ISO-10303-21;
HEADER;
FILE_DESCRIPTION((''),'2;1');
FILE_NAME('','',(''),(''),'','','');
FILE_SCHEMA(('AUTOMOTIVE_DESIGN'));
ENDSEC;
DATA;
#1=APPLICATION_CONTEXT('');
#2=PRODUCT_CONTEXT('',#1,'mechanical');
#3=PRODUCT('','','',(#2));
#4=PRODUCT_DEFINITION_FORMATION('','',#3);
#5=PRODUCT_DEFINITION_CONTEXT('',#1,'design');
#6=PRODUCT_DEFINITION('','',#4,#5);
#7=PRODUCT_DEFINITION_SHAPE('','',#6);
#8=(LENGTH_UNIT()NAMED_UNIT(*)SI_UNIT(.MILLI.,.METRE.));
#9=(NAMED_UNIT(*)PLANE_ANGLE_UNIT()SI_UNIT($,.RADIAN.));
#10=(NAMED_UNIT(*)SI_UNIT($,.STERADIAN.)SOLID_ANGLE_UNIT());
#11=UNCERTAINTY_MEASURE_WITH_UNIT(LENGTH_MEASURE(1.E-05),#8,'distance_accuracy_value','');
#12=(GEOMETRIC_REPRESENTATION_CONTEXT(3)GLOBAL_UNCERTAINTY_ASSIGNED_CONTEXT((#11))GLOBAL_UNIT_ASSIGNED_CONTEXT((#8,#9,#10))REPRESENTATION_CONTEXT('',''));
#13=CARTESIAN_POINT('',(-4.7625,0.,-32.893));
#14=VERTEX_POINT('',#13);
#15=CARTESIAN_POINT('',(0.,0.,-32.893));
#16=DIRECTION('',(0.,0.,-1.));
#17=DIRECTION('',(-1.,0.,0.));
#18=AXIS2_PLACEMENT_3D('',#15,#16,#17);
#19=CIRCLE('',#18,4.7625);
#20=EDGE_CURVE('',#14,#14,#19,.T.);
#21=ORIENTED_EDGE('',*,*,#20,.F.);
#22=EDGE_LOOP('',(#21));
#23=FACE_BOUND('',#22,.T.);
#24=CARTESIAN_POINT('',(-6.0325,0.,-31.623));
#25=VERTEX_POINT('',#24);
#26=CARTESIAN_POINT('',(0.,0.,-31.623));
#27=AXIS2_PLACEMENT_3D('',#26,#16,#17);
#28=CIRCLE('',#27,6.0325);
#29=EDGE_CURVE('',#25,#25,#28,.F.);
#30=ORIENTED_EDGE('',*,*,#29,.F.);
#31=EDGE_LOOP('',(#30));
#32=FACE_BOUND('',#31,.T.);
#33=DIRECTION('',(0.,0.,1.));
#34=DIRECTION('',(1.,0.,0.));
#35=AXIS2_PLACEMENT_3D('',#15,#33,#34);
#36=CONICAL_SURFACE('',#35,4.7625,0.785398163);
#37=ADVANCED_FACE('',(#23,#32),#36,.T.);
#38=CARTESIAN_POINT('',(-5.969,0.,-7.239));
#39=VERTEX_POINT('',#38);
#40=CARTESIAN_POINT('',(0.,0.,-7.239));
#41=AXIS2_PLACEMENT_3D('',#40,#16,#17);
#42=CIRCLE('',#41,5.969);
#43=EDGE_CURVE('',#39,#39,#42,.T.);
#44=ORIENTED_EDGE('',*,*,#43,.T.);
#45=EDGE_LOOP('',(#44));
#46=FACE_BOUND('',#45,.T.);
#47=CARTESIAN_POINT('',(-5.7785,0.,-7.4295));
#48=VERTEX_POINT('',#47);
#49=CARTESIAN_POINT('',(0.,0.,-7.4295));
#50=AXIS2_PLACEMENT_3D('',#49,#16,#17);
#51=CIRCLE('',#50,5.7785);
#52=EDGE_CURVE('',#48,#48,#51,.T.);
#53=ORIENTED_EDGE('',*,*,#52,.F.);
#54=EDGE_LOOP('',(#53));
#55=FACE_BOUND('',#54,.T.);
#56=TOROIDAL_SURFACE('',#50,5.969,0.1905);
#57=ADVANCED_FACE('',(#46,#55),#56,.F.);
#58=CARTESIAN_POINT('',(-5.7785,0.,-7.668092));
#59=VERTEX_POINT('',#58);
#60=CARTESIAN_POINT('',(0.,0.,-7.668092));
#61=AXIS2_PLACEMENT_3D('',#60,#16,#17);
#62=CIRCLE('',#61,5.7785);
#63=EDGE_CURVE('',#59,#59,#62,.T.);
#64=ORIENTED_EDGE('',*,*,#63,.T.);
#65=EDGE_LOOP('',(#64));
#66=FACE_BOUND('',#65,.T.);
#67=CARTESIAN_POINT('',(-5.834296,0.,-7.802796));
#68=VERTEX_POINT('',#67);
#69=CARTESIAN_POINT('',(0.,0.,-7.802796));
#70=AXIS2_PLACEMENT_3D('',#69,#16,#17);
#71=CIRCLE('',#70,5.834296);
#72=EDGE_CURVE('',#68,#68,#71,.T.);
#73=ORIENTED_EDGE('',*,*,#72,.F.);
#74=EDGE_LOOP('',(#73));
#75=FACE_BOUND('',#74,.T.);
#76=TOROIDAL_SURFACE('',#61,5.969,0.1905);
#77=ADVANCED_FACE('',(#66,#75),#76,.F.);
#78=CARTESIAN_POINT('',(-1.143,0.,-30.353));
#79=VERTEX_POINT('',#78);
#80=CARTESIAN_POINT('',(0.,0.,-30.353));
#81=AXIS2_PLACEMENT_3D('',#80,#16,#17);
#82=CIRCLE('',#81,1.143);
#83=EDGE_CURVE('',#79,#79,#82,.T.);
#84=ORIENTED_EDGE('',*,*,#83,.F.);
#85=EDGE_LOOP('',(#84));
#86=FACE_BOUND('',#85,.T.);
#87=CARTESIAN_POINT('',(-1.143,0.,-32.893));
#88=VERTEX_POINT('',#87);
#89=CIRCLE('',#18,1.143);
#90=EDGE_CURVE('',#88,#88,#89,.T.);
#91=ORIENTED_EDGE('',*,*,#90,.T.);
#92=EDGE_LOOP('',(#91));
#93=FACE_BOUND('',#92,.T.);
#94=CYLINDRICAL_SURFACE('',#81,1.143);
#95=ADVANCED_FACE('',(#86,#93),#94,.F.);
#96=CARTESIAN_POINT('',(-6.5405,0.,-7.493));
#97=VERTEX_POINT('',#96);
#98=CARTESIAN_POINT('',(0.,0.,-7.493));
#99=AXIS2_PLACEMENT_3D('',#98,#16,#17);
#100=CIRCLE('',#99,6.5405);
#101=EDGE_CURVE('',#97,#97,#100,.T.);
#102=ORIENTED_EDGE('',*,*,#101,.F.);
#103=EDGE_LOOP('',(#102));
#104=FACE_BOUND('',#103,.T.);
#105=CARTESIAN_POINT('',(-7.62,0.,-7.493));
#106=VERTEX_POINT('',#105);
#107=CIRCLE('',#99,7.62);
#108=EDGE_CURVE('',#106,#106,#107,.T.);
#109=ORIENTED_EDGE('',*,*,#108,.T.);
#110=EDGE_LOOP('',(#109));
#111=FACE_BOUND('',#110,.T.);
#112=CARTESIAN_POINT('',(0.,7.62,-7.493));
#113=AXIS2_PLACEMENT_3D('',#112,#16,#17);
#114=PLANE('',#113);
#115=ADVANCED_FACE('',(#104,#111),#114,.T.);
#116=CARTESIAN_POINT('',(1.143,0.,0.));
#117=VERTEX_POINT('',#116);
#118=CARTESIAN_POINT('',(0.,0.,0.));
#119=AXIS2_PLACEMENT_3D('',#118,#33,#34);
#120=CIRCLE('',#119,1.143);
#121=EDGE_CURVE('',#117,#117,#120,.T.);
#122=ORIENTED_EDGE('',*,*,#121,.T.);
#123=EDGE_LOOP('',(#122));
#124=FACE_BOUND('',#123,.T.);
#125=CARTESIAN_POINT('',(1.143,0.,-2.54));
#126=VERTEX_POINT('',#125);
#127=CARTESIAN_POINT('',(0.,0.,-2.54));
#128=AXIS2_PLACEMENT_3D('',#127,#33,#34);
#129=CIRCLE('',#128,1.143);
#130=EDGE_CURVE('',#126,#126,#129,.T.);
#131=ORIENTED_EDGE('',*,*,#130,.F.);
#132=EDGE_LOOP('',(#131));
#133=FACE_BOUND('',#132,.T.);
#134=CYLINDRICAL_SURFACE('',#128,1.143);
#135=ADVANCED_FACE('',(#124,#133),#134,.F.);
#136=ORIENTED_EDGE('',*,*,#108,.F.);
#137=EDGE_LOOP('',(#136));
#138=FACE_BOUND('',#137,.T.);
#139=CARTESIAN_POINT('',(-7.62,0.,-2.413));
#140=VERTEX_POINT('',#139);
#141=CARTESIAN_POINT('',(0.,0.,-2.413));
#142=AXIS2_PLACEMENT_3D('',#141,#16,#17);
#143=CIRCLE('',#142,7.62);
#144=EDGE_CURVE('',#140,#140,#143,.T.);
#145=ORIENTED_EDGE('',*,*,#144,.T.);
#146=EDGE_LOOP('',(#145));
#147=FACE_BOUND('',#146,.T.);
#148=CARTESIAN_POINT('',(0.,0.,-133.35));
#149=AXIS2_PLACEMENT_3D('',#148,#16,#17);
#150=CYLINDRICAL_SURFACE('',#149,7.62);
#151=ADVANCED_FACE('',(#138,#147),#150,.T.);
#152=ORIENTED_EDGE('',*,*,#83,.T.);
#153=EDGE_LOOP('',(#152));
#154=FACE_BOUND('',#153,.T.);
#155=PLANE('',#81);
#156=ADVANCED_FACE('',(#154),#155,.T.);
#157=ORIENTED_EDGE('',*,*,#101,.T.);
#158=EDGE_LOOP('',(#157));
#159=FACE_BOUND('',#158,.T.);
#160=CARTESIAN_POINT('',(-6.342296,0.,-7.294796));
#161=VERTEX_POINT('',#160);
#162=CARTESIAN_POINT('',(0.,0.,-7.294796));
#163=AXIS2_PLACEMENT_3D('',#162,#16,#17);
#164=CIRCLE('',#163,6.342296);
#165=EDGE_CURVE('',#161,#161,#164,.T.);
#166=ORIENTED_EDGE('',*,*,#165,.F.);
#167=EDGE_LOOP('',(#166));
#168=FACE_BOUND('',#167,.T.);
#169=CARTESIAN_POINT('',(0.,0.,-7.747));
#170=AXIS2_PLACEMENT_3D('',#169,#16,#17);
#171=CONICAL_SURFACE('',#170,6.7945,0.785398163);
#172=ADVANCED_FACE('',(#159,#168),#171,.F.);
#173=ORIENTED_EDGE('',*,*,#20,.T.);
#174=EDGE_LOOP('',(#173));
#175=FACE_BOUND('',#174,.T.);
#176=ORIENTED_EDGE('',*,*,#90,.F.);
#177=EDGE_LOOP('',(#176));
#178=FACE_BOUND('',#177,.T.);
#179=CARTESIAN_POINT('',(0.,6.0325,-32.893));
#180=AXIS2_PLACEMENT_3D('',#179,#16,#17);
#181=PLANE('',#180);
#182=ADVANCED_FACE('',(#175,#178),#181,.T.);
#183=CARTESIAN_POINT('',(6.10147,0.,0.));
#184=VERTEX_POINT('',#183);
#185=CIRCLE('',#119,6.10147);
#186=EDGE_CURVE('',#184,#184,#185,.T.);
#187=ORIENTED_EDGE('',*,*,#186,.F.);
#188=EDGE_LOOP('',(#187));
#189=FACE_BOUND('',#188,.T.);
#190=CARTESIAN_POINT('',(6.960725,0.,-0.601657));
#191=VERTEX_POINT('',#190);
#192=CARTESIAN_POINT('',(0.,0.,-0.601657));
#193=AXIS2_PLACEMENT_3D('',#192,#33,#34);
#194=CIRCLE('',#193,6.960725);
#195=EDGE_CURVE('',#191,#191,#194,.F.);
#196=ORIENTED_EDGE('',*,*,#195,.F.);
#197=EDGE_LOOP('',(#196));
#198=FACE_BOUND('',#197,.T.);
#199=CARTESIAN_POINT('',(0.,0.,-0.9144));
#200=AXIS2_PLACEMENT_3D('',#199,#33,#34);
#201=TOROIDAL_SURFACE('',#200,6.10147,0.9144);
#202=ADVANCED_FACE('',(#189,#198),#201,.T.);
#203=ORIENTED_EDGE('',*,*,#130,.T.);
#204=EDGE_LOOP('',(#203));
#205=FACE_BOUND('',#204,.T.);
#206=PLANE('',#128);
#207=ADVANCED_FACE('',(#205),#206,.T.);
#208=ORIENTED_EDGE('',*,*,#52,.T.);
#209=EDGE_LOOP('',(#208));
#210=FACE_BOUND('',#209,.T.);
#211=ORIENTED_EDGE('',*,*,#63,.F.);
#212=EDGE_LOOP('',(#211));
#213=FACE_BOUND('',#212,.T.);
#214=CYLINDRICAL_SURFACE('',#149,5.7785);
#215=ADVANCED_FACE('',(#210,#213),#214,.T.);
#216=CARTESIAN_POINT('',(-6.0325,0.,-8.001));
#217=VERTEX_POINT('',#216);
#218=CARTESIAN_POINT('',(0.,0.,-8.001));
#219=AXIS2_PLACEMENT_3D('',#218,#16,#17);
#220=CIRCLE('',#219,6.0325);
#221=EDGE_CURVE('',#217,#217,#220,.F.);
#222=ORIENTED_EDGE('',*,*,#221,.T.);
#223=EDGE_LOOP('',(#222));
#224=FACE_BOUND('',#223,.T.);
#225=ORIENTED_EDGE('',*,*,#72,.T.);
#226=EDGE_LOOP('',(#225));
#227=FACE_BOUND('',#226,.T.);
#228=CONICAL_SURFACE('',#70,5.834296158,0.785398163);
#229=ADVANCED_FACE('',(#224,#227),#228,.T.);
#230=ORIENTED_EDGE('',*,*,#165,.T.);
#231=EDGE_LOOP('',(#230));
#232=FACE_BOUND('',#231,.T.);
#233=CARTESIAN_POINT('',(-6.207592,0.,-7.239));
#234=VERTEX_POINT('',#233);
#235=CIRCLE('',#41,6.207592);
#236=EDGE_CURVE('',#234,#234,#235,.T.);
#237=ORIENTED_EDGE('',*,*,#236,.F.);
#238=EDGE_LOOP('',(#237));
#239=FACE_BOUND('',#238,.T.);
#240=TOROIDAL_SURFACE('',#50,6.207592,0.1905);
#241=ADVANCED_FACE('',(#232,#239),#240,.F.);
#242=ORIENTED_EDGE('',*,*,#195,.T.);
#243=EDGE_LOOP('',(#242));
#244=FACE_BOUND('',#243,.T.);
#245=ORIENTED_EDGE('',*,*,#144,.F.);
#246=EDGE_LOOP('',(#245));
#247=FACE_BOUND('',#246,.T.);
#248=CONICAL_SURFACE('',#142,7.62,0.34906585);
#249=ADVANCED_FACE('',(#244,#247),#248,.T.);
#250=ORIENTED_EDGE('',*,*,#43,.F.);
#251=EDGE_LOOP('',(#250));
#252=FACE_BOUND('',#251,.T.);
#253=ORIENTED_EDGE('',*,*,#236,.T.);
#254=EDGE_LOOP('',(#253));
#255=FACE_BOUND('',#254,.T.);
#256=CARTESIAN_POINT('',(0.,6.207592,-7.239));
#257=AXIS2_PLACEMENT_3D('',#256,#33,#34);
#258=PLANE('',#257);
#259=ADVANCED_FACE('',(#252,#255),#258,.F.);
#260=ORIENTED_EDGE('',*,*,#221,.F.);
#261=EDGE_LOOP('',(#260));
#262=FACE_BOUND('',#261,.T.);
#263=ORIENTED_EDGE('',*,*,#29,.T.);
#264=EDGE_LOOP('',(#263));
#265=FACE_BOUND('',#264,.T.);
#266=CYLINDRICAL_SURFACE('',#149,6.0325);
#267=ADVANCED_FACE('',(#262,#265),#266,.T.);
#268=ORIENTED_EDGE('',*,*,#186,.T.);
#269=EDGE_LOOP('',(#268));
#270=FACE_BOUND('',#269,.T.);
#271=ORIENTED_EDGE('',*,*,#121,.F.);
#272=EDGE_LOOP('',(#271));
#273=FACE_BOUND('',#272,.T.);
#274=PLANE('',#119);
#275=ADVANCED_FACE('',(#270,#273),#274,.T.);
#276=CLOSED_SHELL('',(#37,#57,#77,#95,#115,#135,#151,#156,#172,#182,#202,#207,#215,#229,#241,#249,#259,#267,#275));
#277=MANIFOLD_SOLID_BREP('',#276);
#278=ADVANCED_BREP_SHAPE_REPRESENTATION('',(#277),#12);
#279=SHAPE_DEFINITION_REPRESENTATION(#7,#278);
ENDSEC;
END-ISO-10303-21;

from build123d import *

# Parameters (mm, degrees)
CHAMFER1_SIZE      = 1.27
FILLET1_R          = 0.9144
SKETCH3_R          = 1.143
CUT_EXTRUDE1_DEPTH = 2.54
CUT_EXTRUDE2_START = -2.54
SKETCH4_R          = 1.143
CUT_EXTRUDE2_DEPTH = 2.54


with BuildPart() as part:
    # Sketch1 → Revolve1 (revolve)
    with BuildSketch(Plane(origin=(0, 0, 0), x_dir=(0, 0, -1), z_dir=(1, 0, 0)), mode=Mode.PRIVATE) as revolve1_sk:
        Polygon((0, 0), (0, 6.741739825), (2.413, 7.62), (7.493, 7.62), (7.493, 6.0325), (32.893, 6.0325), (32.893, 0), align=None)
    revolve(revolve1_sk.sketch.rotate(Axis((0, 0, -133.35), (0, 0, 1)), 90), axis=Axis((0, 0, -133.35), (0, 0, 1)))

    # Sketch2 → Cut-Revolve1 (revolve, cut)
    with BuildSketch(Plane(origin=(0, 0, 0), x_dir=(0, 0, -1), z_dir=(1, 0, 0)), mode=Mode.PRIVATE) as cut_revolve1_sk:
        with BuildLine():
            Line((7.294796158, 6.342296158), (7.747, 6.7945))
            Line((7.747, 6.7945), (8.255, 6.7945))
            Line((8.255, 6.7945), (8.255, 6.2865))
            Line((8.255, 6.2865), (7.802796158, 5.834296158))
            ThreePointArc((7.802796158, 5.834296158), (7.74099351, 5.793000949), (7.668092316, 5.7785))
            Line((7.668092316, 5.7785), (7.4295, 5.7785))
            ThreePointArc((7.4295, 5.7785), (7.294796158, 5.834296158), (7.239, 5.969))
            Line((7.239, 5.969), (7.239, 6.207592316))
            ThreePointArc((7.239, 6.207592316), (7.253500949, 6.28049351), (7.294796158, 6.342296158))
        make_face()
    revolve(cut_revolve1_sk.sketch.rotate(Axis((0, 0, -133.35), (0, 0, 1)), 90), axis=Axis((0, 0, -133.35), (0, 0, 1)), mode=Mode.SUBTRACT)

    # Chamfer1
    chamfer1_edges = [part.edges().sort_by_distance(p)[0] for p in [
        (6.0325, 0, -32.893),
    ]]
    chamfer(chamfer1_edges, length=CHAMFER1_SIZE)

    # Fillet1
    fillet1_edges = [part.edges().sort_by_distance(p)[0] for p in [
        (6.741739825, 0, 0),
    ]]
    fillet(fillet1_edges, radius=FILLET1_R)

    # Sketch3 → Cut-Extrude1 (cut)
    with BuildSketch(Plane.XY):
        Circle(SKETCH3_R)
    extrude(amount=-CUT_EXTRUDE1_DEPTH, mode=Mode.SUBTRACT)

    # Sketch4 → Cut-Extrude2 (cut)
    with BuildSketch(Plane(origin=(0, 0, -32.893), x_dir=(-1, 0, 0), z_dir=(0, 0, -1)).offset(CUT_EXTRUDE2_START)):
        with Locations(Location((0, 0, 0), (0, 0, 180))):
            Circle(SKETCH4_R)
    extrude(amount=CUT_EXTRUDE2_DEPTH, mode=Mode.SUBTRACT)


solid = part.part
